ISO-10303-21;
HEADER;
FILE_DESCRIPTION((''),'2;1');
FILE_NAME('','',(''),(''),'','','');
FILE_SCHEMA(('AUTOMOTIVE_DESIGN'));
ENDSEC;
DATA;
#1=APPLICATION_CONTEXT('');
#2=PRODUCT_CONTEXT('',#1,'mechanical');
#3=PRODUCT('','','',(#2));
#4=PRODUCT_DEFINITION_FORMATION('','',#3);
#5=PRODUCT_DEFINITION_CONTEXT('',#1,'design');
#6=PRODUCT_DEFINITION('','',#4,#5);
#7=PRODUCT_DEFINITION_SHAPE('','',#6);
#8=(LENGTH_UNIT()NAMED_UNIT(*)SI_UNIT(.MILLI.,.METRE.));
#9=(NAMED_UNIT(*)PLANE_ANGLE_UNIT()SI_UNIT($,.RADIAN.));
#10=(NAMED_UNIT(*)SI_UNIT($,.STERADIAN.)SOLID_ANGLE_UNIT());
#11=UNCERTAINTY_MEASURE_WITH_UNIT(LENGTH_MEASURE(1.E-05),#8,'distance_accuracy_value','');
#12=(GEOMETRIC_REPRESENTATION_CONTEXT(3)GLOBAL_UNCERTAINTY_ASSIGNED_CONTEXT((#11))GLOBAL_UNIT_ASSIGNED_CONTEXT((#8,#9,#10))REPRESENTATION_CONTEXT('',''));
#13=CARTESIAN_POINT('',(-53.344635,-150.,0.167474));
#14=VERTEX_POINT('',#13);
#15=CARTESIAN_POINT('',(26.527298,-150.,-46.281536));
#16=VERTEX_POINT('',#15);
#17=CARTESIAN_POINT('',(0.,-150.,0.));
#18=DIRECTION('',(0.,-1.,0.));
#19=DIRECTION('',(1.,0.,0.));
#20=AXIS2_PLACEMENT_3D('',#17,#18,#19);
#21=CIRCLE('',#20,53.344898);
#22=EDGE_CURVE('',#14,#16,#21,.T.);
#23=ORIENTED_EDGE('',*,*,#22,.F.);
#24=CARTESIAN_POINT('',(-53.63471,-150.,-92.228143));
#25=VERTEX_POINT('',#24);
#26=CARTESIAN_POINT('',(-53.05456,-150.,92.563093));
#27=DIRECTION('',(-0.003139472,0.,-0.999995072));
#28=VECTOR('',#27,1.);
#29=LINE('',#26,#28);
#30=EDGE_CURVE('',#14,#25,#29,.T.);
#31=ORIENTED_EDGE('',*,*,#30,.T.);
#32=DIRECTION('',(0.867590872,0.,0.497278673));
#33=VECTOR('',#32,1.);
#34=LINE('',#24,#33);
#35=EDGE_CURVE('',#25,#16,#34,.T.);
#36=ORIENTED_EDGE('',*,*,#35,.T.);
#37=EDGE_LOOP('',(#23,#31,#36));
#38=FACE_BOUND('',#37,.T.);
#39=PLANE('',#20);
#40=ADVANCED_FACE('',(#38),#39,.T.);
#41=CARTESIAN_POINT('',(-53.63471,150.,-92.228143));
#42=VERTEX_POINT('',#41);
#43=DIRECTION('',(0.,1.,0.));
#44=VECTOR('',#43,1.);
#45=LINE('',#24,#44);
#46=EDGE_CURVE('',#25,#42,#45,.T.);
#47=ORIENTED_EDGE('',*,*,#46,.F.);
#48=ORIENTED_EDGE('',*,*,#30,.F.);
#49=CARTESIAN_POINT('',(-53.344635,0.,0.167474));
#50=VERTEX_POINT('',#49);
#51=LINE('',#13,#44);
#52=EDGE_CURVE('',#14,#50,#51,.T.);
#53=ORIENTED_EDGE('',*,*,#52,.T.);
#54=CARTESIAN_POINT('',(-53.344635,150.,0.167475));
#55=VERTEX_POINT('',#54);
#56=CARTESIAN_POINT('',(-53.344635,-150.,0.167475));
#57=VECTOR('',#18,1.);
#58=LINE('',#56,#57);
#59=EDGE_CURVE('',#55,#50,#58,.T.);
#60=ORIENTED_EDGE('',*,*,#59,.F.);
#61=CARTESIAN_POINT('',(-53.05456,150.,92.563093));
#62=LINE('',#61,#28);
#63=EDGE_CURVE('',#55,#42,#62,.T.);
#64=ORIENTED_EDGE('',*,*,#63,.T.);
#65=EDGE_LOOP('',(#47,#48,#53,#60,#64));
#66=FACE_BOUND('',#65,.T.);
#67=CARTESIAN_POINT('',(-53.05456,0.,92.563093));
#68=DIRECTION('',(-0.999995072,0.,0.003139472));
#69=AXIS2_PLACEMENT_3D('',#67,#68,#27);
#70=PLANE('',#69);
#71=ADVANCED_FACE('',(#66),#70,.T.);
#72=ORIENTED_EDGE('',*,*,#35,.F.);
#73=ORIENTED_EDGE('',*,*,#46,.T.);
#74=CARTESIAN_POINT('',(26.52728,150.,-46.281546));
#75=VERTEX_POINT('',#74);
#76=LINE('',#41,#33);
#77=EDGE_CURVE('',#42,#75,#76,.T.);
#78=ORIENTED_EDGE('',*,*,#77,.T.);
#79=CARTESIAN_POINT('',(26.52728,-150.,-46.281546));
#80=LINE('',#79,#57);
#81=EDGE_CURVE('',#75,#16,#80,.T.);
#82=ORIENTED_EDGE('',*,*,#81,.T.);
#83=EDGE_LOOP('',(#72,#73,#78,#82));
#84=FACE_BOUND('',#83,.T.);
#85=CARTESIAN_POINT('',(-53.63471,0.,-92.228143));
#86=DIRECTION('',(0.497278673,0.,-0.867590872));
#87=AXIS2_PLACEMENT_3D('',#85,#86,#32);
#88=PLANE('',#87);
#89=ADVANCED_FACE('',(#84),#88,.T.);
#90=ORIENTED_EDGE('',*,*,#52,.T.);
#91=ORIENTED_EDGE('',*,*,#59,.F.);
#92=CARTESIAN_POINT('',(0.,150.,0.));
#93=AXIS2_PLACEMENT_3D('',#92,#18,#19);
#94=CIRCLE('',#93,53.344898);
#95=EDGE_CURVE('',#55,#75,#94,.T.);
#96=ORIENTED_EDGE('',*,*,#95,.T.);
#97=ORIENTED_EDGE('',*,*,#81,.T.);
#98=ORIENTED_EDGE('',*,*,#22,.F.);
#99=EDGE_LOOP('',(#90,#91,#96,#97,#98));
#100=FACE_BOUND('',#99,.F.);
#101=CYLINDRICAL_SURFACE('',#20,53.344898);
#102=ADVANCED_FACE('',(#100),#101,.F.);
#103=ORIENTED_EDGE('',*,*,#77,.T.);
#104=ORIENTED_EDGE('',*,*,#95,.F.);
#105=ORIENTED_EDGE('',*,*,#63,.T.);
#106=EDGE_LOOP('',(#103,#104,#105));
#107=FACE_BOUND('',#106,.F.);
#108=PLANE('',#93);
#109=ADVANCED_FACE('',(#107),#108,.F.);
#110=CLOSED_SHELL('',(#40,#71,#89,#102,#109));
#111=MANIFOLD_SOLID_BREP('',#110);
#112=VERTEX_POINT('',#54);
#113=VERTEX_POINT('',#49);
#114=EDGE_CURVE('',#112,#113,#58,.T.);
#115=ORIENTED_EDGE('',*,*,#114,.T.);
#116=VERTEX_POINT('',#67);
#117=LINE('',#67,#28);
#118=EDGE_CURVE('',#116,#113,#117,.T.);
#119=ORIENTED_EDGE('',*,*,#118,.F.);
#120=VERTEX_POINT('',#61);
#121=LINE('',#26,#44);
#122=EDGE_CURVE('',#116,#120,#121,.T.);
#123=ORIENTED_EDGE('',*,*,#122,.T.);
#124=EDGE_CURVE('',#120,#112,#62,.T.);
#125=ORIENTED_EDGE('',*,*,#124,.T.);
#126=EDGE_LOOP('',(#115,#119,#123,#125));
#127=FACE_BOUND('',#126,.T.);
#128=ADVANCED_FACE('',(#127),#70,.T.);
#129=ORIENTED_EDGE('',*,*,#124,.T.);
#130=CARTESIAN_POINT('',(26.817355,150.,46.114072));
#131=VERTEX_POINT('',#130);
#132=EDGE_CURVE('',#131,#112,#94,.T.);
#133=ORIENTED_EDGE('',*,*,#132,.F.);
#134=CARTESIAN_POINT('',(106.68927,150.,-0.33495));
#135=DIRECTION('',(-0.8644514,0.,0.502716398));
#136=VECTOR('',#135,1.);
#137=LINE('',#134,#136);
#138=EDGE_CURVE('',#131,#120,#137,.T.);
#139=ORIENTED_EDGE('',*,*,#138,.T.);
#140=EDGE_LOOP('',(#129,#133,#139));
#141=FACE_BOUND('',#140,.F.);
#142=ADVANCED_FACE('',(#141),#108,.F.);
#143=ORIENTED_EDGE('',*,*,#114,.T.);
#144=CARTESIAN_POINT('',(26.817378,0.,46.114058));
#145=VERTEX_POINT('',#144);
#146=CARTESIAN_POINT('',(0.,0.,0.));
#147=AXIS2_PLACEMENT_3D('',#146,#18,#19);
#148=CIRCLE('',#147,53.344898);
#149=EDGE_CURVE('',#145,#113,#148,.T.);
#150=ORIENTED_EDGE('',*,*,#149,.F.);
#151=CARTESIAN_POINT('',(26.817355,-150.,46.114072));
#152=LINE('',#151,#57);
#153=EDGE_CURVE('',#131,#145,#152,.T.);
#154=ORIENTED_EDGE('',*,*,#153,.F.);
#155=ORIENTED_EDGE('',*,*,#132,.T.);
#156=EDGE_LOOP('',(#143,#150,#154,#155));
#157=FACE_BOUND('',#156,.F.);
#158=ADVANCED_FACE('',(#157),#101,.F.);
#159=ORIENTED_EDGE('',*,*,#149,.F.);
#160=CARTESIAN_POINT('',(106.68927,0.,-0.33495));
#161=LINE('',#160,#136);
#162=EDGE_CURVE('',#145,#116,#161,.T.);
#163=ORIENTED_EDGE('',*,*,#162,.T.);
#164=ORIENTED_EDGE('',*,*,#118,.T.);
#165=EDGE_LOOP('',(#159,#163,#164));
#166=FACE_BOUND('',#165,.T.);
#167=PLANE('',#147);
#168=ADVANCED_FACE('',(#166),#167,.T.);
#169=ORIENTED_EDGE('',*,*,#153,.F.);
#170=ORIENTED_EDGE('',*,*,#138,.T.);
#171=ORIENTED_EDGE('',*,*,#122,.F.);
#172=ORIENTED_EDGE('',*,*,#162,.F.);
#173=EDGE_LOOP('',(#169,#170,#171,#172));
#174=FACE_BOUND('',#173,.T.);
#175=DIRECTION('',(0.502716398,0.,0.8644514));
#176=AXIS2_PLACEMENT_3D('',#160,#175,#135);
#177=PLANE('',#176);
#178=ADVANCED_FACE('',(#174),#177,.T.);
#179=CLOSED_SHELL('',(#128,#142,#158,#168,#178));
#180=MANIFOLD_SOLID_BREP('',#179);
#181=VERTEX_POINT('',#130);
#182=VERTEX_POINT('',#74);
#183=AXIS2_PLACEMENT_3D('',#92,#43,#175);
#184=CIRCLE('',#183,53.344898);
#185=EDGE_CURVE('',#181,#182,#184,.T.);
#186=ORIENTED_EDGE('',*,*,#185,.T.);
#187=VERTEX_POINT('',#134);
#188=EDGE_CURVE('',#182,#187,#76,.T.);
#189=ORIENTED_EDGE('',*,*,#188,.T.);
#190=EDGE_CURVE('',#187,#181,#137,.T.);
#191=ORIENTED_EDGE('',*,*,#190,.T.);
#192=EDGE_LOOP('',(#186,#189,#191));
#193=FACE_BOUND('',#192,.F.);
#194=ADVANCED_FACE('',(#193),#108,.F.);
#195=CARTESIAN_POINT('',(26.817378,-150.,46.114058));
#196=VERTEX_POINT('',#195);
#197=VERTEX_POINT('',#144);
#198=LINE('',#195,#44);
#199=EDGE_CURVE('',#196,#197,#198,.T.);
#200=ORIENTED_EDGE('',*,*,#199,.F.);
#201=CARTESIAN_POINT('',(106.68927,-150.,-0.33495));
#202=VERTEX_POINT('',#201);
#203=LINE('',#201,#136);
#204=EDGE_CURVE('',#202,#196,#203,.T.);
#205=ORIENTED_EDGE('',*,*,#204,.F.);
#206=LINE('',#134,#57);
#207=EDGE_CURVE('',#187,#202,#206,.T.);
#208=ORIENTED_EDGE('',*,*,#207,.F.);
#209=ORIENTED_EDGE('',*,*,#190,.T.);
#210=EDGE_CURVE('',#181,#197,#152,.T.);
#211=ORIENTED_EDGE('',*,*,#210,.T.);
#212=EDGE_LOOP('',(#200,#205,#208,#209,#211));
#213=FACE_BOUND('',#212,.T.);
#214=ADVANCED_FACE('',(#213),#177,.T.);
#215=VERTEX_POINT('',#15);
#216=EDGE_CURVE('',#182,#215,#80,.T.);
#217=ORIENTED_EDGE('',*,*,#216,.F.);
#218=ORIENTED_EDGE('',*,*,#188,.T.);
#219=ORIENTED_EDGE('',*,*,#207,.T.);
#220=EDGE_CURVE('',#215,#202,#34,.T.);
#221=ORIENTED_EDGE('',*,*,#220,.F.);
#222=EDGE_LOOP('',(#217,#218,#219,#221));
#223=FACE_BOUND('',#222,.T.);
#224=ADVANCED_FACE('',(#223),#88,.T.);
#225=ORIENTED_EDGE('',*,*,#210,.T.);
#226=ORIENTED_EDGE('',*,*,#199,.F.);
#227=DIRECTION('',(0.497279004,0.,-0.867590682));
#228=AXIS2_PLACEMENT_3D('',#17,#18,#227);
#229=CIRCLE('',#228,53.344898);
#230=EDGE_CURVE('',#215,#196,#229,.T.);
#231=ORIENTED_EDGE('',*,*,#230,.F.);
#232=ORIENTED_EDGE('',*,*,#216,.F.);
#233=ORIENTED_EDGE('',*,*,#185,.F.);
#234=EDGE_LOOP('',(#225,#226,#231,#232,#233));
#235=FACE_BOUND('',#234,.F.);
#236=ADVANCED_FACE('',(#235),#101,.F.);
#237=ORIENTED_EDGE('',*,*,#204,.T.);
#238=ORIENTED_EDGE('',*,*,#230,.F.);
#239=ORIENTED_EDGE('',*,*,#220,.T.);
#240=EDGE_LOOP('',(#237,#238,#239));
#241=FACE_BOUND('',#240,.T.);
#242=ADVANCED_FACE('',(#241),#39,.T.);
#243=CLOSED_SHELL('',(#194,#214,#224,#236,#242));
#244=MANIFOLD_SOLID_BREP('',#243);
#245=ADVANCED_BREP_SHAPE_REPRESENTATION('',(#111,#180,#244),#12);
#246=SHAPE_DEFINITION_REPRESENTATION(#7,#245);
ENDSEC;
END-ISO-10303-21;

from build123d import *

# Parameters (mm, degrees)
F1_DEPTH = 150
F2_R     = 53.3448977551
F3_DEPTH = 300.001
F4_DEPTH = 150


with BuildPart() as f1:
    # F0 (on Front) → F1 (new body, symmetric)
    with BuildSketch(Plane.XZ):
        Polygon((-53.6347097506, -92.22814308), (106.6892697264, -0.3349496286), (-53.0545599759, 92.5630927086), align=None)
    extrude(amount=F1_DEPTH, both=True)

    # F2 (on face) → F3 (cut, through all)
    with BuildSketch(Plane.XZ.offset(150)):
        Circle(F2_R)
    extrude(amount=-F3_DEPTH, mode=Mode.SUBTRACT)

    # F4 (cut): a face of the model
    f4_faces = [f1.faces().sort_by_distance(p)[0] for p in [
        (-33.5448479643, -150, 58.5249387315),
    ]]
    extrude(f4_faces, amount=-F4_DEPTH, mode=Mode.SUBTRACT)


solid = f1.part
